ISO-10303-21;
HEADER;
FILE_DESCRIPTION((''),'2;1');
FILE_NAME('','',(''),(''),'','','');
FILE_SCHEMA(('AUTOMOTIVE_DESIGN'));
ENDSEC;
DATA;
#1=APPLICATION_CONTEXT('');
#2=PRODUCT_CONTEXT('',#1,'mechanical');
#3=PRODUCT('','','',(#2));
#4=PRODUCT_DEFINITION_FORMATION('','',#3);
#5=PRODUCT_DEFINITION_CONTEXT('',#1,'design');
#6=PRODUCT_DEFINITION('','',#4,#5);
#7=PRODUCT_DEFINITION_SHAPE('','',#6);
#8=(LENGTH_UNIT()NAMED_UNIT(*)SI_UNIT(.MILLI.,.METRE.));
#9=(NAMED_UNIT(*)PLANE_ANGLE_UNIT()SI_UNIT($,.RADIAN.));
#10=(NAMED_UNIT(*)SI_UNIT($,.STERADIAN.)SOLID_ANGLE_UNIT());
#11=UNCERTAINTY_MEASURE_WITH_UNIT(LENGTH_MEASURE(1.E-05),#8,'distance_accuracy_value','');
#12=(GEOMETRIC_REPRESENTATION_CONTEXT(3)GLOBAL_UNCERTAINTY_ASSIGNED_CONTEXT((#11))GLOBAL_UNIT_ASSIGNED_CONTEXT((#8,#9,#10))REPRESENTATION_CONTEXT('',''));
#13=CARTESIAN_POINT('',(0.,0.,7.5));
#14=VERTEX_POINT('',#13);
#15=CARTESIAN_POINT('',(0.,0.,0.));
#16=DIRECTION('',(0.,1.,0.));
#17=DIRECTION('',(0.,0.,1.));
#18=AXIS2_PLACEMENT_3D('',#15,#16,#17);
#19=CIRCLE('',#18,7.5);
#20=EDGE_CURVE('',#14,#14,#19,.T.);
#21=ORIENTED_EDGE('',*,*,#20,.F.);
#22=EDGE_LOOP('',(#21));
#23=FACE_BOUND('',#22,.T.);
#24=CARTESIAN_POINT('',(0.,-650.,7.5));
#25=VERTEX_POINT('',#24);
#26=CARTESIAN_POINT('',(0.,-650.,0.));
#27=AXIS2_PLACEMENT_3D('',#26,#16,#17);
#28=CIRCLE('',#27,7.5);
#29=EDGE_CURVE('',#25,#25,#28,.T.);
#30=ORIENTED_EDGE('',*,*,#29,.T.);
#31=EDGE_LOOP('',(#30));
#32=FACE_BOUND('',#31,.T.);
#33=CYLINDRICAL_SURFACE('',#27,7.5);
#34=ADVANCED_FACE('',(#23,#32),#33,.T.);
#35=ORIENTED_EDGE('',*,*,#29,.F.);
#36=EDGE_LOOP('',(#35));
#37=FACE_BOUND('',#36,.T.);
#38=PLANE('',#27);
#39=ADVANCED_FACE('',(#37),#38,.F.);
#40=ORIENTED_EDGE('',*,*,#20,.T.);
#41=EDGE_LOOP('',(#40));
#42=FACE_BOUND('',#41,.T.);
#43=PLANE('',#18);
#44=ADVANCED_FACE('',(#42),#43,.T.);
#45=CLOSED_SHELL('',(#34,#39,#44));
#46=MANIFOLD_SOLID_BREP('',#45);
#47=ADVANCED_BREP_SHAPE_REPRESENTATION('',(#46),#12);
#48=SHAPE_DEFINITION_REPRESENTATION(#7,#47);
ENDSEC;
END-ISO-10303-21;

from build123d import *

# Parameters (mm, degrees)
SKETCH1_R           = 7.5
BOSS_EXTRUDE1_DEPTH = 650


with BuildPart() as part:
    # Sketch1 → Boss-Extrude1 (new body)
    with BuildSketch(Plane(origin=(0, 0, 0), x_dir=(1, 0, 0), z_dir=(0, 1, 0))):
        Circle(SKETCH1_R)
    extrude(amount=-BOSS_EXTRUDE1_DEPTH)


solid = part.part
